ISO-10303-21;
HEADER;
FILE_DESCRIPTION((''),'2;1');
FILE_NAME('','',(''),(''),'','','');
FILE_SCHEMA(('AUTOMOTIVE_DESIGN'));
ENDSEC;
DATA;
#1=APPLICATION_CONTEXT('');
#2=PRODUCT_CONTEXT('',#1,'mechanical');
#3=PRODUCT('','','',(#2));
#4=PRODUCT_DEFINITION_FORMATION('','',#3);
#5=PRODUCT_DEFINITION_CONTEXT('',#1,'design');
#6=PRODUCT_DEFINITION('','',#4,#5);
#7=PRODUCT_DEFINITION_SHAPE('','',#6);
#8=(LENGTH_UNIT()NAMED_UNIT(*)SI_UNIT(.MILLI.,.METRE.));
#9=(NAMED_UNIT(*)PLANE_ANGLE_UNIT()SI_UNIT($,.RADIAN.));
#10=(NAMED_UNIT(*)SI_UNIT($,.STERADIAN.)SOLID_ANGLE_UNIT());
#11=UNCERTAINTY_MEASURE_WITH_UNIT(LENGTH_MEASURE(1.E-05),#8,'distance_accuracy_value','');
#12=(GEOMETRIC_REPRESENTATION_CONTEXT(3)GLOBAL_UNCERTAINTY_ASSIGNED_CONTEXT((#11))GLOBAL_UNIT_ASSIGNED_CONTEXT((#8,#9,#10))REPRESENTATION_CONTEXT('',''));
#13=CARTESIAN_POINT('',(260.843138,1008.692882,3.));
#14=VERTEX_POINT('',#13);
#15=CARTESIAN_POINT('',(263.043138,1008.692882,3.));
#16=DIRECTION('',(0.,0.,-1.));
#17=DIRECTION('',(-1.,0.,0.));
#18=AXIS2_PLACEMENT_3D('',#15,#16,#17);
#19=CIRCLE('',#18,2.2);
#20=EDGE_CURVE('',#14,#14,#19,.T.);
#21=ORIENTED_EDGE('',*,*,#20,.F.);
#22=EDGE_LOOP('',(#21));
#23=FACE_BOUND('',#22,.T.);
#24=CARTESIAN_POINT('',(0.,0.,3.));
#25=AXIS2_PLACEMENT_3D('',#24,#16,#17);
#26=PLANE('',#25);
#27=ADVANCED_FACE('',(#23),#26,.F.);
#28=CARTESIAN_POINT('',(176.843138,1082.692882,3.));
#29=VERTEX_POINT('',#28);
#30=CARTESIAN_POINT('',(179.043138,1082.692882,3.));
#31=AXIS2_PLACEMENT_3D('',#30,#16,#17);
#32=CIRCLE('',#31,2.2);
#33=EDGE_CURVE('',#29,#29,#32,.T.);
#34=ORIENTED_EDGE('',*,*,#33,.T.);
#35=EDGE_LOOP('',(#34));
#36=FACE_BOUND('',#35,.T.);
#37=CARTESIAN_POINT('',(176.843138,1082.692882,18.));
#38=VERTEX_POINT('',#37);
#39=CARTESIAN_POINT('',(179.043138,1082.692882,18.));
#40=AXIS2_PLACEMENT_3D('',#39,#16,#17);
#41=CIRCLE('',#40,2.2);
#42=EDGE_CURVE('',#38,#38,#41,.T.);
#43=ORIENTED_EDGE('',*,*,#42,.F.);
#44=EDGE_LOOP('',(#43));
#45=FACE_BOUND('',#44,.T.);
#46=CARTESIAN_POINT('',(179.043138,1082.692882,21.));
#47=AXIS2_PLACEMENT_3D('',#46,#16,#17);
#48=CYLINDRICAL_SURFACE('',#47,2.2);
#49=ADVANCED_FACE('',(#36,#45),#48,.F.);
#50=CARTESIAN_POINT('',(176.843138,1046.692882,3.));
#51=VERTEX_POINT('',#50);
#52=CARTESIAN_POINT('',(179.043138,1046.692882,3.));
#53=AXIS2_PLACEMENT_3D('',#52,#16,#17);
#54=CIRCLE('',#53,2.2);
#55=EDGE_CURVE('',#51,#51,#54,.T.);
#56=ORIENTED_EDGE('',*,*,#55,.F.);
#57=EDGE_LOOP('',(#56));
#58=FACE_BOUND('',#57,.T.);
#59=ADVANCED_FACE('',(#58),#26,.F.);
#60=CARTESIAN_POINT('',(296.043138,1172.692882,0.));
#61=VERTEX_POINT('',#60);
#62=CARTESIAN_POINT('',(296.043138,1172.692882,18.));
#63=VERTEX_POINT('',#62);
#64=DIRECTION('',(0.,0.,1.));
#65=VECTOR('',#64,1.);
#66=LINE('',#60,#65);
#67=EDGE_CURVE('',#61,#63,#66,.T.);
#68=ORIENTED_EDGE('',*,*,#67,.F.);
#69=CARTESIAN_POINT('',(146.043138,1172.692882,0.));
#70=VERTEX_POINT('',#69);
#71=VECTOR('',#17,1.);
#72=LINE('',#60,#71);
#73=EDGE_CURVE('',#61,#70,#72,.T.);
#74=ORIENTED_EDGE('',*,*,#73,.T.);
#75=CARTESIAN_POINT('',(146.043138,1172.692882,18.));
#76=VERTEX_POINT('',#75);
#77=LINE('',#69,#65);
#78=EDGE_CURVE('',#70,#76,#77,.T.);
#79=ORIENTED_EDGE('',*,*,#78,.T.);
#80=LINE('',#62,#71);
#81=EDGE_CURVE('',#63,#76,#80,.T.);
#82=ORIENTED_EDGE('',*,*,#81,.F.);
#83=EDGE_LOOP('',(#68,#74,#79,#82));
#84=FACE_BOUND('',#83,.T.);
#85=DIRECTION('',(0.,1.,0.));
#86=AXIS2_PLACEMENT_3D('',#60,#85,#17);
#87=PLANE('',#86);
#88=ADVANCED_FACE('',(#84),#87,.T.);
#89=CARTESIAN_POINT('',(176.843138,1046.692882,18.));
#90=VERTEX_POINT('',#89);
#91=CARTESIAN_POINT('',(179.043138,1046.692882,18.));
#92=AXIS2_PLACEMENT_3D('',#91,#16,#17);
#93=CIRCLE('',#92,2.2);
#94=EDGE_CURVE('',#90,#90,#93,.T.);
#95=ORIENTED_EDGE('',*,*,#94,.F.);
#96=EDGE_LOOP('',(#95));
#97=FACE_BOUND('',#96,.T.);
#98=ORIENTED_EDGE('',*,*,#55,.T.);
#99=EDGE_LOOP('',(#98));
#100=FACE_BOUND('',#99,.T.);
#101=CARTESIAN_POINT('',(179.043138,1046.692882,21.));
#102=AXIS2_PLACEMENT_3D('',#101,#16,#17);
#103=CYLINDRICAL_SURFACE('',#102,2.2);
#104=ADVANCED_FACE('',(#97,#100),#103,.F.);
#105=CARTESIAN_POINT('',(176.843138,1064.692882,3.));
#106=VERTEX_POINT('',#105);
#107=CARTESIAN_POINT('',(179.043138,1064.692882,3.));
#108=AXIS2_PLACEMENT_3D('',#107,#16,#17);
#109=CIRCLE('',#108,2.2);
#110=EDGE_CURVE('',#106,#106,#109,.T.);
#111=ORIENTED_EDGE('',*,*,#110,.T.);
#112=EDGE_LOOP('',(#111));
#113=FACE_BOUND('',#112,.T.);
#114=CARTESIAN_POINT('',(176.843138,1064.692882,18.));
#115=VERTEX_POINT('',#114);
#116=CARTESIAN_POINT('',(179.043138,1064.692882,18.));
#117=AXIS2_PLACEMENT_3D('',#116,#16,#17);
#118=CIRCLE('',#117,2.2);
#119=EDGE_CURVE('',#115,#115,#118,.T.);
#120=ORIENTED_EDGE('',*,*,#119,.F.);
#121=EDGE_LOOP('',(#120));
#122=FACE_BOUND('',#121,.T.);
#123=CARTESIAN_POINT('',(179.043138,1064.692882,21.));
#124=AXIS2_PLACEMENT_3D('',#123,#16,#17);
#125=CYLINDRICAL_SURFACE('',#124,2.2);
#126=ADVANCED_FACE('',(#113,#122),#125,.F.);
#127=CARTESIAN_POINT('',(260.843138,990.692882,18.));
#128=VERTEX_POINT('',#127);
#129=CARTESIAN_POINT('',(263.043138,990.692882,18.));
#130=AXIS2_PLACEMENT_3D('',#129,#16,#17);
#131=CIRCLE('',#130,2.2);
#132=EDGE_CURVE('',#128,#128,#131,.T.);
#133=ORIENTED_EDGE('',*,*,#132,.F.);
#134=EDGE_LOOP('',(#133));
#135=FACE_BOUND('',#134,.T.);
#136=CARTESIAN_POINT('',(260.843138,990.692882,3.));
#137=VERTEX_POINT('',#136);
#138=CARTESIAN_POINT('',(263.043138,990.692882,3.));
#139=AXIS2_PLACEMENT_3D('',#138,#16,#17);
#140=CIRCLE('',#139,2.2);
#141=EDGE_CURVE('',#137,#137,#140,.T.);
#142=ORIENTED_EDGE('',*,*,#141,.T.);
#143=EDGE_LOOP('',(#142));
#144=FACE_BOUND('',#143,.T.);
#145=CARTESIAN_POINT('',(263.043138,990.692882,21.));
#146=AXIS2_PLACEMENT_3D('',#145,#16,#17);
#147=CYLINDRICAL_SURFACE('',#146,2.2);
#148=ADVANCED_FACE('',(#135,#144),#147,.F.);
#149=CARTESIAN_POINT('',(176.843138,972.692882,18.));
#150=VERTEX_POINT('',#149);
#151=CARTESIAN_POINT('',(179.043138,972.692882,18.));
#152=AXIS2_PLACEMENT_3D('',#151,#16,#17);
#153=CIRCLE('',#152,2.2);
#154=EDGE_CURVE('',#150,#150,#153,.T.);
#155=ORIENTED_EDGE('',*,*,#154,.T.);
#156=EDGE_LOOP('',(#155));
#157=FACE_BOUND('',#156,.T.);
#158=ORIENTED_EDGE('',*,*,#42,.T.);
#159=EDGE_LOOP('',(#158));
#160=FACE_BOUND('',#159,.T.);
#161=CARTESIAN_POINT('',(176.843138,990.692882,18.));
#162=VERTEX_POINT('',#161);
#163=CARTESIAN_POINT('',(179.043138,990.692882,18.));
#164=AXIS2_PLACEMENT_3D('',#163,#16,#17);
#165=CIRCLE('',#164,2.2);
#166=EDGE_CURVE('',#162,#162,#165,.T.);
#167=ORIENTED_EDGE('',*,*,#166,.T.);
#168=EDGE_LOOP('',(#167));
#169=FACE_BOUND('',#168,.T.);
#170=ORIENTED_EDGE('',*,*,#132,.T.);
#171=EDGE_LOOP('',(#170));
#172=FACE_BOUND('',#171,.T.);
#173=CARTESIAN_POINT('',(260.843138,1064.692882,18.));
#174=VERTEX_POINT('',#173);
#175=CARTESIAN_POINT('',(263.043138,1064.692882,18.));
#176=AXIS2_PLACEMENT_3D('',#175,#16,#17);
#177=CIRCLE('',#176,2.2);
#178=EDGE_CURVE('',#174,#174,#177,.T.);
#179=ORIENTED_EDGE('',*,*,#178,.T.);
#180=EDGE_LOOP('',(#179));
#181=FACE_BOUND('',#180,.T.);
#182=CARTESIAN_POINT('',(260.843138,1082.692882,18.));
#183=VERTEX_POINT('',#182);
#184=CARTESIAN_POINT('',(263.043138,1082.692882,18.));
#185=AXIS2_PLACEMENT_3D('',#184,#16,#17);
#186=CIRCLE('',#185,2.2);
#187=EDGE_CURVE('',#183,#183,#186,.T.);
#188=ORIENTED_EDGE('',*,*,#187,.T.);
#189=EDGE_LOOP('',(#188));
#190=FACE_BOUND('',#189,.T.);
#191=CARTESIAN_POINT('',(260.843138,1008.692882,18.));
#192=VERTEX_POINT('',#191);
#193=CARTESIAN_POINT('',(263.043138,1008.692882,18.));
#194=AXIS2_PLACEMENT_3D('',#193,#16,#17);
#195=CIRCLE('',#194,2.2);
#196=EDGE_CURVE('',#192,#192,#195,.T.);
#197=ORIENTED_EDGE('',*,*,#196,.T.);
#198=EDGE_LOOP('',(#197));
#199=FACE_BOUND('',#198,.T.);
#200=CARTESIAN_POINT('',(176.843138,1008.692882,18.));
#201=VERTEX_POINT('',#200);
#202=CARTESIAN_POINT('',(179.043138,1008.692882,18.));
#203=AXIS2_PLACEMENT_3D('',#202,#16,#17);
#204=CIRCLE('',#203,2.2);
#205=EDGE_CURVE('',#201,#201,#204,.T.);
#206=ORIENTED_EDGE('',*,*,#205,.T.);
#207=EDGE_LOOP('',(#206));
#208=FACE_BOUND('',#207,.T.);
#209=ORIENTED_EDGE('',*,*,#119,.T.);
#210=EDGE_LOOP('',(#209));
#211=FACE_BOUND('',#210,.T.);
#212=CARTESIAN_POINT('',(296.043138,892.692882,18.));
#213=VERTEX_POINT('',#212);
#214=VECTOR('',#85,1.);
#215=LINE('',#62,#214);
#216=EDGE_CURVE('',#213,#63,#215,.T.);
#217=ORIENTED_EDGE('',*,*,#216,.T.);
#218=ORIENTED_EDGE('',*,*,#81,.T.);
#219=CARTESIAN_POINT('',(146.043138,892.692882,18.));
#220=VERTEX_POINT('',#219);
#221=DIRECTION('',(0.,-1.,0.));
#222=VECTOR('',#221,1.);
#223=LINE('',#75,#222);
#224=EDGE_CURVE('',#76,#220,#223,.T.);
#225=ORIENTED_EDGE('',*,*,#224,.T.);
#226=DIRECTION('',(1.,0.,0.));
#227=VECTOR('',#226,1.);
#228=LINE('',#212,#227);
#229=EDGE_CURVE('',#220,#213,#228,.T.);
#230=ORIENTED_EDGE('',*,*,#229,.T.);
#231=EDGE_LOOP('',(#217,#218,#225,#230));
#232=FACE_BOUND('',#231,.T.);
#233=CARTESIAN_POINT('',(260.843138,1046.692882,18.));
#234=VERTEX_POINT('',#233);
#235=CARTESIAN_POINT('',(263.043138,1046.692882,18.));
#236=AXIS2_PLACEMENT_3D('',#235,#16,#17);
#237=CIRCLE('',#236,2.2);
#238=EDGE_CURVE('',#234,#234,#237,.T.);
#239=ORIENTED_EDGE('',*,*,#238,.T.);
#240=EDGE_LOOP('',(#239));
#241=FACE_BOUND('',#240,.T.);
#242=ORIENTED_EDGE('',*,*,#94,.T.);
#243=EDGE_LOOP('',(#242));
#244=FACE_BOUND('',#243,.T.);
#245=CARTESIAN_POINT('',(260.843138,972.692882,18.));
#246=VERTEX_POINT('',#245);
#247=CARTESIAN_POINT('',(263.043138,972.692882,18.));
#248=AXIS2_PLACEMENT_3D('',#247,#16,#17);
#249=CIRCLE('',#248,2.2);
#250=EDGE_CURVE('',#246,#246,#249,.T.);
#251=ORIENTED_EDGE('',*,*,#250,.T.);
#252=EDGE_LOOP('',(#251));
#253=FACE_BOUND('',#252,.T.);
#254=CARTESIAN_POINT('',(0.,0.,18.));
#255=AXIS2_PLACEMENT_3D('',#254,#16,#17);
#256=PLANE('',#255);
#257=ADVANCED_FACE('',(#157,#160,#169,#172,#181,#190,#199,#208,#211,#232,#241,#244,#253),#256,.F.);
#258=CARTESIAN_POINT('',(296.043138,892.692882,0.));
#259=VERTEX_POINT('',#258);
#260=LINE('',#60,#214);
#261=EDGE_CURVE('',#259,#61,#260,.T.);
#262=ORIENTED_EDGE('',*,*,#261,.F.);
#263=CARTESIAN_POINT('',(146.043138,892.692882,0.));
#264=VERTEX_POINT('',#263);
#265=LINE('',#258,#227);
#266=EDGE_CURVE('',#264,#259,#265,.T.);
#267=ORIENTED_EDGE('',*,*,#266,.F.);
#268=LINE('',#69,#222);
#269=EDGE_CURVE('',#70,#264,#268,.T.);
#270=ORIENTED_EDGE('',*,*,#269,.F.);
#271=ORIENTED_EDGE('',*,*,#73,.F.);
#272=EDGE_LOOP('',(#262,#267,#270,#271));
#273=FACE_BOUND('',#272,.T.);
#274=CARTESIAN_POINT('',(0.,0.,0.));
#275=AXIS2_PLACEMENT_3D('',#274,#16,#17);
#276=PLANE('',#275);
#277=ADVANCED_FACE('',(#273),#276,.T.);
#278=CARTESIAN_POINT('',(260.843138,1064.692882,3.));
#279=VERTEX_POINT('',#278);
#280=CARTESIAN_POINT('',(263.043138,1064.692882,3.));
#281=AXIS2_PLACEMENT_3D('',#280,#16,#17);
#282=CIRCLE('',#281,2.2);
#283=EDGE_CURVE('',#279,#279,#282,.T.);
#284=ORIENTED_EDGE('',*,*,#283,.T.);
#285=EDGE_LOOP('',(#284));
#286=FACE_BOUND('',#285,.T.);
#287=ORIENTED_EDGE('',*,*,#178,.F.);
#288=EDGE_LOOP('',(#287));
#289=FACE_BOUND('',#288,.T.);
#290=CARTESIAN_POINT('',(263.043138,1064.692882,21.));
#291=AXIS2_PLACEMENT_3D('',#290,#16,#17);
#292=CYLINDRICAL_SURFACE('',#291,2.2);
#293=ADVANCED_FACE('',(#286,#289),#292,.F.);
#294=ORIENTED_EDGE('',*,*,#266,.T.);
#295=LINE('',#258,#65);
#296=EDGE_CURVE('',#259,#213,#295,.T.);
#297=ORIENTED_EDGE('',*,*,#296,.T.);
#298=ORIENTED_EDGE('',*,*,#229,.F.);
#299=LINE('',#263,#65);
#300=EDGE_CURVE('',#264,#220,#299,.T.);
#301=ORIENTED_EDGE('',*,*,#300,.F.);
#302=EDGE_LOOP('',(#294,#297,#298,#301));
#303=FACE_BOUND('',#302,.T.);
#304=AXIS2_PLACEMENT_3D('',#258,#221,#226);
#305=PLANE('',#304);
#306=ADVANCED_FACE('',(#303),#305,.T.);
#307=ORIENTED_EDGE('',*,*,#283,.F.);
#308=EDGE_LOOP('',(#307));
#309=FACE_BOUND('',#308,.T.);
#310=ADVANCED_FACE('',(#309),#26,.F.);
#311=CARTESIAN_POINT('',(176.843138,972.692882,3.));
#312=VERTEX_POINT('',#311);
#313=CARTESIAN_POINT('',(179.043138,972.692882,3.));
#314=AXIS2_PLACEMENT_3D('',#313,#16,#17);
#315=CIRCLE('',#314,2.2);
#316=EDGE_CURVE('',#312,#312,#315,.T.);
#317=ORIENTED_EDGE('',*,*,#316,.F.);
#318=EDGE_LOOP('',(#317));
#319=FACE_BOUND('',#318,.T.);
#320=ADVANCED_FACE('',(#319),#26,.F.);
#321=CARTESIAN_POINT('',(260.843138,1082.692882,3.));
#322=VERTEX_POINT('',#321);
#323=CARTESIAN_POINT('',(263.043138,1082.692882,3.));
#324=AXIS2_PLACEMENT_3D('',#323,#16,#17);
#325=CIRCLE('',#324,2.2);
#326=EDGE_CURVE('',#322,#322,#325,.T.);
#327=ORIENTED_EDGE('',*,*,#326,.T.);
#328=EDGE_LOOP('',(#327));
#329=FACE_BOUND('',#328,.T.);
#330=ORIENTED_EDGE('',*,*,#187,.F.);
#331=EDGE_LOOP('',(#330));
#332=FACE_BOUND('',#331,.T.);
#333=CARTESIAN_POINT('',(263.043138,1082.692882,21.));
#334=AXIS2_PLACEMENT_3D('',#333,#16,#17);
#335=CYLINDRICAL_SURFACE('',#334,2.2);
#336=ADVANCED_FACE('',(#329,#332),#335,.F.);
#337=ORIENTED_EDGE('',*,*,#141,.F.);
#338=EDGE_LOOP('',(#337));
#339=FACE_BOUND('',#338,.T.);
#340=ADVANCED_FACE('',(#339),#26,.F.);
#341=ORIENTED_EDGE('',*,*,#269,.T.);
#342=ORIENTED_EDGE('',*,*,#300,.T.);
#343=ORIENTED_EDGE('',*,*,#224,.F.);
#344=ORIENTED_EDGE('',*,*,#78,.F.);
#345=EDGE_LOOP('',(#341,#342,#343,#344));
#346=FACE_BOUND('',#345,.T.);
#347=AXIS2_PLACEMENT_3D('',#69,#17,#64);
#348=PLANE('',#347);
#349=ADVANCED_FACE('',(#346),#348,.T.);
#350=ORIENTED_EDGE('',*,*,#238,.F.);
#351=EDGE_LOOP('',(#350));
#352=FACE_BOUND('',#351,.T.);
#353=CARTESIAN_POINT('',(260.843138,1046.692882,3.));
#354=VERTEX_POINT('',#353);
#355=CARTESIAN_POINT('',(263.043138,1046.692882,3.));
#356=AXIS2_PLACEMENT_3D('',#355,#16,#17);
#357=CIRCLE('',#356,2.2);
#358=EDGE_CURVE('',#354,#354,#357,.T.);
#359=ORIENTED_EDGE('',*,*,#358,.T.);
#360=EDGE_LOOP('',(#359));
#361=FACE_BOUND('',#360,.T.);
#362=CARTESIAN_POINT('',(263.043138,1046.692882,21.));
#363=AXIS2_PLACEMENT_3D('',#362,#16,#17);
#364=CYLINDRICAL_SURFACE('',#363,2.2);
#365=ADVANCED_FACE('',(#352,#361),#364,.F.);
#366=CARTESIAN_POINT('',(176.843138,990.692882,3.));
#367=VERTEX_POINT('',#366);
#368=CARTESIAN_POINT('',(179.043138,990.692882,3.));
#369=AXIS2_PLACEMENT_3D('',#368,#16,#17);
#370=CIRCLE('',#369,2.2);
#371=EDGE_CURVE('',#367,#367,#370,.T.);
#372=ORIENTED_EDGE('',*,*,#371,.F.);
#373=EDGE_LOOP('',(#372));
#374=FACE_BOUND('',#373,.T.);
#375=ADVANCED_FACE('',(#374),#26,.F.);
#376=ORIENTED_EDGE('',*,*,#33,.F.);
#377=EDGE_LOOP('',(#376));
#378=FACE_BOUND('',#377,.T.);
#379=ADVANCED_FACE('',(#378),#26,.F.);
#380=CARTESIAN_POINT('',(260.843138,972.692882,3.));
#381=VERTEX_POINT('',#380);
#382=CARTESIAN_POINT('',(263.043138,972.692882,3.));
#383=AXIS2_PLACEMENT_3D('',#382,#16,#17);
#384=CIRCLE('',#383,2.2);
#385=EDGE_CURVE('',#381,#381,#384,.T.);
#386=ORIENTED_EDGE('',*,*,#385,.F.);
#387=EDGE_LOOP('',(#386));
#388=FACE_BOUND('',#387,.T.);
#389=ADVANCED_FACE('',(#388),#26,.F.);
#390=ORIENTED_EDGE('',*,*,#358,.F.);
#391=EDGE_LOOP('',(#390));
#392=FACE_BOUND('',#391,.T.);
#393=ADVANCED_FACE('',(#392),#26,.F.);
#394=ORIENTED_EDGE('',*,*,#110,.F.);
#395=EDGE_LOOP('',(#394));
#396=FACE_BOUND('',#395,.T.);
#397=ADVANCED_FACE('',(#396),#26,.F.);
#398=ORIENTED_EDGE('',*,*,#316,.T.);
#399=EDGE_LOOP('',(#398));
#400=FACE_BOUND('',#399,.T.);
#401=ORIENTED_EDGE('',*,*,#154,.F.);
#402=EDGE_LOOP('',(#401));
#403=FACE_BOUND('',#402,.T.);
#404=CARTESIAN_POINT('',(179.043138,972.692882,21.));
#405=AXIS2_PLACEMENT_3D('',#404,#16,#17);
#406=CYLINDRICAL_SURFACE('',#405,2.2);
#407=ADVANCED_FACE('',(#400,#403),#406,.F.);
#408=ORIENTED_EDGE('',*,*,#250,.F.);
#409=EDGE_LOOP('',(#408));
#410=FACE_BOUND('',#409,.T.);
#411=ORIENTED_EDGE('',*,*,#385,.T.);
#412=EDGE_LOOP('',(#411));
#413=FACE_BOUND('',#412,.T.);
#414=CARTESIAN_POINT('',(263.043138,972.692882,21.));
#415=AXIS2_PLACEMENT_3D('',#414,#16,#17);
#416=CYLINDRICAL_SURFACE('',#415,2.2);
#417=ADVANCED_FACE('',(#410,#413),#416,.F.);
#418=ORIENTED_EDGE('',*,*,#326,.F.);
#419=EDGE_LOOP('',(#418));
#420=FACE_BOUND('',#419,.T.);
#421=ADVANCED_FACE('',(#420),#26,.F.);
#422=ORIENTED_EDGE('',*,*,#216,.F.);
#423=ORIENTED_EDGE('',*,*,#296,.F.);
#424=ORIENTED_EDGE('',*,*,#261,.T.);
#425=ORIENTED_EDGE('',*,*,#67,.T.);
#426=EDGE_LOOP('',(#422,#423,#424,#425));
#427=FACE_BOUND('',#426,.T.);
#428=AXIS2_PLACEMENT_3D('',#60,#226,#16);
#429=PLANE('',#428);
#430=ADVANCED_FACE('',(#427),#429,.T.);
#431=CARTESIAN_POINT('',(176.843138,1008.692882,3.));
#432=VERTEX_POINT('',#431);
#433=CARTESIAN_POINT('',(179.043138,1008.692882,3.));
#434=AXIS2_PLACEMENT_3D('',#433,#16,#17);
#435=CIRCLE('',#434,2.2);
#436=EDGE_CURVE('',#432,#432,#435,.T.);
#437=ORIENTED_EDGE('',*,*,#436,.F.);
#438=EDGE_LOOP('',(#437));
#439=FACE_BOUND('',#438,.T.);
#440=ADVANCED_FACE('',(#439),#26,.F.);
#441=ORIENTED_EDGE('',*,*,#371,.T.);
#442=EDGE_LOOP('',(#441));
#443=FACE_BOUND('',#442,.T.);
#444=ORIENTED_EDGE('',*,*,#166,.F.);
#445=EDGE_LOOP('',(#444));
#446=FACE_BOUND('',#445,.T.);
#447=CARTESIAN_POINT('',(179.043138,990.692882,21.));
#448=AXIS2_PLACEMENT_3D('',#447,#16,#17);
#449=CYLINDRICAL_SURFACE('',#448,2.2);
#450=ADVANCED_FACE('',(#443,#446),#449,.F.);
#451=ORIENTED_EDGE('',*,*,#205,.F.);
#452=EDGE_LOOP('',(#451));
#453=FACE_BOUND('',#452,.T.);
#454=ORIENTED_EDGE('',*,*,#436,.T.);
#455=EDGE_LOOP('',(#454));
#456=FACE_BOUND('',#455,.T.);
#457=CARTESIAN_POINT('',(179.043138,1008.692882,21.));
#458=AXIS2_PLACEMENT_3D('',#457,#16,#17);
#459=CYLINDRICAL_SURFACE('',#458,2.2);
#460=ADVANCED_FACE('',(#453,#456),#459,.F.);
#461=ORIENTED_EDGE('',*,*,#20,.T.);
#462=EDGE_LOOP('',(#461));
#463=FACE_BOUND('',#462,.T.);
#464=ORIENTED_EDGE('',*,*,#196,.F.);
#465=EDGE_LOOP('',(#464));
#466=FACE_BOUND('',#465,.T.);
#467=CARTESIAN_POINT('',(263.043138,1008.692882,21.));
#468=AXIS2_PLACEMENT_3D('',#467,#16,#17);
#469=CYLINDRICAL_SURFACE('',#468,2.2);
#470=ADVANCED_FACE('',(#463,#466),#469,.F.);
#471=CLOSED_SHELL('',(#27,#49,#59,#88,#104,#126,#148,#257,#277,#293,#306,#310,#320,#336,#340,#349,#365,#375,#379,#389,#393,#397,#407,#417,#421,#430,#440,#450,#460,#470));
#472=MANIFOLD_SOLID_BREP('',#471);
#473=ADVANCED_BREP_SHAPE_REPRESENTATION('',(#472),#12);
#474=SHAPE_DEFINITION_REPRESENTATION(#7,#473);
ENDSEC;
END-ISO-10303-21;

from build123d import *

# Parameters (mm, degrees)
BOSS_EXTRUDE1_DEPTH = 18
F_3DSKETCH2_R       = 2.2
CUT_EXTRUDE1_DEPTH  = 18


with BuildPart() as part:
    # 3DSketch1 → Boss-Extrude1 (new body)
    with BuildSketch(Plane(origin=(296.043137644, 1172.692882005, 0), x_dir=(-0.4722214125154188, -0.8814799700287822, 0), z_dir=(0, 0, 1))):
        Polygon((0, 0), (70.833211877, -132.221995504), (317.647603485, 0), (246.814391608, 132.221995504), align=None)
    extrude(amount=BOSS_EXTRUDE1_DEPTH)

    # 3DSketch2 → Cut-Extrude1 (cut)
    with BuildSketch(Plane(origin=(179.043137644, 1082.692882005, 21), x_dir=(0.6069136033622309, -0.7947678139267296, 0), z_dir=(0, 0, -1))):
        with Locations(Location((0, 0, 0), (0, 0, 127.366669413))):
            Circle(F_3DSKETCH2_R)
        with Locations(Location((14.305820651, 10.924444861, 0), (0, 0, 127.366669413))):
            Circle(F_3DSKETCH2_R)
        with Locations(Location((28.611641301, 21.848889721, 0), (0, 0, 127.366669413))):
            Circle(F_3DSKETCH2_R)
        with Locations(Location((58.812818231, 44.911606649, 0), (0, 0, 127.366669413))):
            Circle(F_3DSKETCH2_R)
        with Locations(Location((73.118638881, 55.836051509, 0), (0, 0, 127.366669413))):
            Circle(F_3DSKETCH2_R)
        with Locations(Location((87.424459532, 66.76049637, 0), (0, 0, 127.366669413))):
            Circle(F_3DSKETCH2_R)
        with Locations(Location((138.405202214, 0, 0), (0, 0, 127.366669413))):
            Circle(F_3DSKETCH2_R)
        with Locations(Location((124.099381564, -10.924444861, 0), (0, 0, 127.366669413))):
            Circle(F_3DSKETCH2_R)
        with Locations(Location((109.793560913, -21.848889721, 0), (0, 0, 127.366669413))):
            Circle(F_3DSKETCH2_R)
        with Locations(Location((79.592383984, -44.911606649, 0), (0, 0, 127.366669413))):
            Circle(F_3DSKETCH2_R)
        with Locations(Location((50.980742682, -66.76049637, 0), (0, 0, 127.366669413))):
            Circle(F_3DSKETCH2_R)
        with Locations(Location((65.286563333, -55.836051509, 0), (0, 0, 127.366669413))):
            Circle(F_3DSKETCH2_R)
    extrude(amount=CUT_EXTRUDE1_DEPTH, mode=Mode.SUBTRACT)


solid = part.part
